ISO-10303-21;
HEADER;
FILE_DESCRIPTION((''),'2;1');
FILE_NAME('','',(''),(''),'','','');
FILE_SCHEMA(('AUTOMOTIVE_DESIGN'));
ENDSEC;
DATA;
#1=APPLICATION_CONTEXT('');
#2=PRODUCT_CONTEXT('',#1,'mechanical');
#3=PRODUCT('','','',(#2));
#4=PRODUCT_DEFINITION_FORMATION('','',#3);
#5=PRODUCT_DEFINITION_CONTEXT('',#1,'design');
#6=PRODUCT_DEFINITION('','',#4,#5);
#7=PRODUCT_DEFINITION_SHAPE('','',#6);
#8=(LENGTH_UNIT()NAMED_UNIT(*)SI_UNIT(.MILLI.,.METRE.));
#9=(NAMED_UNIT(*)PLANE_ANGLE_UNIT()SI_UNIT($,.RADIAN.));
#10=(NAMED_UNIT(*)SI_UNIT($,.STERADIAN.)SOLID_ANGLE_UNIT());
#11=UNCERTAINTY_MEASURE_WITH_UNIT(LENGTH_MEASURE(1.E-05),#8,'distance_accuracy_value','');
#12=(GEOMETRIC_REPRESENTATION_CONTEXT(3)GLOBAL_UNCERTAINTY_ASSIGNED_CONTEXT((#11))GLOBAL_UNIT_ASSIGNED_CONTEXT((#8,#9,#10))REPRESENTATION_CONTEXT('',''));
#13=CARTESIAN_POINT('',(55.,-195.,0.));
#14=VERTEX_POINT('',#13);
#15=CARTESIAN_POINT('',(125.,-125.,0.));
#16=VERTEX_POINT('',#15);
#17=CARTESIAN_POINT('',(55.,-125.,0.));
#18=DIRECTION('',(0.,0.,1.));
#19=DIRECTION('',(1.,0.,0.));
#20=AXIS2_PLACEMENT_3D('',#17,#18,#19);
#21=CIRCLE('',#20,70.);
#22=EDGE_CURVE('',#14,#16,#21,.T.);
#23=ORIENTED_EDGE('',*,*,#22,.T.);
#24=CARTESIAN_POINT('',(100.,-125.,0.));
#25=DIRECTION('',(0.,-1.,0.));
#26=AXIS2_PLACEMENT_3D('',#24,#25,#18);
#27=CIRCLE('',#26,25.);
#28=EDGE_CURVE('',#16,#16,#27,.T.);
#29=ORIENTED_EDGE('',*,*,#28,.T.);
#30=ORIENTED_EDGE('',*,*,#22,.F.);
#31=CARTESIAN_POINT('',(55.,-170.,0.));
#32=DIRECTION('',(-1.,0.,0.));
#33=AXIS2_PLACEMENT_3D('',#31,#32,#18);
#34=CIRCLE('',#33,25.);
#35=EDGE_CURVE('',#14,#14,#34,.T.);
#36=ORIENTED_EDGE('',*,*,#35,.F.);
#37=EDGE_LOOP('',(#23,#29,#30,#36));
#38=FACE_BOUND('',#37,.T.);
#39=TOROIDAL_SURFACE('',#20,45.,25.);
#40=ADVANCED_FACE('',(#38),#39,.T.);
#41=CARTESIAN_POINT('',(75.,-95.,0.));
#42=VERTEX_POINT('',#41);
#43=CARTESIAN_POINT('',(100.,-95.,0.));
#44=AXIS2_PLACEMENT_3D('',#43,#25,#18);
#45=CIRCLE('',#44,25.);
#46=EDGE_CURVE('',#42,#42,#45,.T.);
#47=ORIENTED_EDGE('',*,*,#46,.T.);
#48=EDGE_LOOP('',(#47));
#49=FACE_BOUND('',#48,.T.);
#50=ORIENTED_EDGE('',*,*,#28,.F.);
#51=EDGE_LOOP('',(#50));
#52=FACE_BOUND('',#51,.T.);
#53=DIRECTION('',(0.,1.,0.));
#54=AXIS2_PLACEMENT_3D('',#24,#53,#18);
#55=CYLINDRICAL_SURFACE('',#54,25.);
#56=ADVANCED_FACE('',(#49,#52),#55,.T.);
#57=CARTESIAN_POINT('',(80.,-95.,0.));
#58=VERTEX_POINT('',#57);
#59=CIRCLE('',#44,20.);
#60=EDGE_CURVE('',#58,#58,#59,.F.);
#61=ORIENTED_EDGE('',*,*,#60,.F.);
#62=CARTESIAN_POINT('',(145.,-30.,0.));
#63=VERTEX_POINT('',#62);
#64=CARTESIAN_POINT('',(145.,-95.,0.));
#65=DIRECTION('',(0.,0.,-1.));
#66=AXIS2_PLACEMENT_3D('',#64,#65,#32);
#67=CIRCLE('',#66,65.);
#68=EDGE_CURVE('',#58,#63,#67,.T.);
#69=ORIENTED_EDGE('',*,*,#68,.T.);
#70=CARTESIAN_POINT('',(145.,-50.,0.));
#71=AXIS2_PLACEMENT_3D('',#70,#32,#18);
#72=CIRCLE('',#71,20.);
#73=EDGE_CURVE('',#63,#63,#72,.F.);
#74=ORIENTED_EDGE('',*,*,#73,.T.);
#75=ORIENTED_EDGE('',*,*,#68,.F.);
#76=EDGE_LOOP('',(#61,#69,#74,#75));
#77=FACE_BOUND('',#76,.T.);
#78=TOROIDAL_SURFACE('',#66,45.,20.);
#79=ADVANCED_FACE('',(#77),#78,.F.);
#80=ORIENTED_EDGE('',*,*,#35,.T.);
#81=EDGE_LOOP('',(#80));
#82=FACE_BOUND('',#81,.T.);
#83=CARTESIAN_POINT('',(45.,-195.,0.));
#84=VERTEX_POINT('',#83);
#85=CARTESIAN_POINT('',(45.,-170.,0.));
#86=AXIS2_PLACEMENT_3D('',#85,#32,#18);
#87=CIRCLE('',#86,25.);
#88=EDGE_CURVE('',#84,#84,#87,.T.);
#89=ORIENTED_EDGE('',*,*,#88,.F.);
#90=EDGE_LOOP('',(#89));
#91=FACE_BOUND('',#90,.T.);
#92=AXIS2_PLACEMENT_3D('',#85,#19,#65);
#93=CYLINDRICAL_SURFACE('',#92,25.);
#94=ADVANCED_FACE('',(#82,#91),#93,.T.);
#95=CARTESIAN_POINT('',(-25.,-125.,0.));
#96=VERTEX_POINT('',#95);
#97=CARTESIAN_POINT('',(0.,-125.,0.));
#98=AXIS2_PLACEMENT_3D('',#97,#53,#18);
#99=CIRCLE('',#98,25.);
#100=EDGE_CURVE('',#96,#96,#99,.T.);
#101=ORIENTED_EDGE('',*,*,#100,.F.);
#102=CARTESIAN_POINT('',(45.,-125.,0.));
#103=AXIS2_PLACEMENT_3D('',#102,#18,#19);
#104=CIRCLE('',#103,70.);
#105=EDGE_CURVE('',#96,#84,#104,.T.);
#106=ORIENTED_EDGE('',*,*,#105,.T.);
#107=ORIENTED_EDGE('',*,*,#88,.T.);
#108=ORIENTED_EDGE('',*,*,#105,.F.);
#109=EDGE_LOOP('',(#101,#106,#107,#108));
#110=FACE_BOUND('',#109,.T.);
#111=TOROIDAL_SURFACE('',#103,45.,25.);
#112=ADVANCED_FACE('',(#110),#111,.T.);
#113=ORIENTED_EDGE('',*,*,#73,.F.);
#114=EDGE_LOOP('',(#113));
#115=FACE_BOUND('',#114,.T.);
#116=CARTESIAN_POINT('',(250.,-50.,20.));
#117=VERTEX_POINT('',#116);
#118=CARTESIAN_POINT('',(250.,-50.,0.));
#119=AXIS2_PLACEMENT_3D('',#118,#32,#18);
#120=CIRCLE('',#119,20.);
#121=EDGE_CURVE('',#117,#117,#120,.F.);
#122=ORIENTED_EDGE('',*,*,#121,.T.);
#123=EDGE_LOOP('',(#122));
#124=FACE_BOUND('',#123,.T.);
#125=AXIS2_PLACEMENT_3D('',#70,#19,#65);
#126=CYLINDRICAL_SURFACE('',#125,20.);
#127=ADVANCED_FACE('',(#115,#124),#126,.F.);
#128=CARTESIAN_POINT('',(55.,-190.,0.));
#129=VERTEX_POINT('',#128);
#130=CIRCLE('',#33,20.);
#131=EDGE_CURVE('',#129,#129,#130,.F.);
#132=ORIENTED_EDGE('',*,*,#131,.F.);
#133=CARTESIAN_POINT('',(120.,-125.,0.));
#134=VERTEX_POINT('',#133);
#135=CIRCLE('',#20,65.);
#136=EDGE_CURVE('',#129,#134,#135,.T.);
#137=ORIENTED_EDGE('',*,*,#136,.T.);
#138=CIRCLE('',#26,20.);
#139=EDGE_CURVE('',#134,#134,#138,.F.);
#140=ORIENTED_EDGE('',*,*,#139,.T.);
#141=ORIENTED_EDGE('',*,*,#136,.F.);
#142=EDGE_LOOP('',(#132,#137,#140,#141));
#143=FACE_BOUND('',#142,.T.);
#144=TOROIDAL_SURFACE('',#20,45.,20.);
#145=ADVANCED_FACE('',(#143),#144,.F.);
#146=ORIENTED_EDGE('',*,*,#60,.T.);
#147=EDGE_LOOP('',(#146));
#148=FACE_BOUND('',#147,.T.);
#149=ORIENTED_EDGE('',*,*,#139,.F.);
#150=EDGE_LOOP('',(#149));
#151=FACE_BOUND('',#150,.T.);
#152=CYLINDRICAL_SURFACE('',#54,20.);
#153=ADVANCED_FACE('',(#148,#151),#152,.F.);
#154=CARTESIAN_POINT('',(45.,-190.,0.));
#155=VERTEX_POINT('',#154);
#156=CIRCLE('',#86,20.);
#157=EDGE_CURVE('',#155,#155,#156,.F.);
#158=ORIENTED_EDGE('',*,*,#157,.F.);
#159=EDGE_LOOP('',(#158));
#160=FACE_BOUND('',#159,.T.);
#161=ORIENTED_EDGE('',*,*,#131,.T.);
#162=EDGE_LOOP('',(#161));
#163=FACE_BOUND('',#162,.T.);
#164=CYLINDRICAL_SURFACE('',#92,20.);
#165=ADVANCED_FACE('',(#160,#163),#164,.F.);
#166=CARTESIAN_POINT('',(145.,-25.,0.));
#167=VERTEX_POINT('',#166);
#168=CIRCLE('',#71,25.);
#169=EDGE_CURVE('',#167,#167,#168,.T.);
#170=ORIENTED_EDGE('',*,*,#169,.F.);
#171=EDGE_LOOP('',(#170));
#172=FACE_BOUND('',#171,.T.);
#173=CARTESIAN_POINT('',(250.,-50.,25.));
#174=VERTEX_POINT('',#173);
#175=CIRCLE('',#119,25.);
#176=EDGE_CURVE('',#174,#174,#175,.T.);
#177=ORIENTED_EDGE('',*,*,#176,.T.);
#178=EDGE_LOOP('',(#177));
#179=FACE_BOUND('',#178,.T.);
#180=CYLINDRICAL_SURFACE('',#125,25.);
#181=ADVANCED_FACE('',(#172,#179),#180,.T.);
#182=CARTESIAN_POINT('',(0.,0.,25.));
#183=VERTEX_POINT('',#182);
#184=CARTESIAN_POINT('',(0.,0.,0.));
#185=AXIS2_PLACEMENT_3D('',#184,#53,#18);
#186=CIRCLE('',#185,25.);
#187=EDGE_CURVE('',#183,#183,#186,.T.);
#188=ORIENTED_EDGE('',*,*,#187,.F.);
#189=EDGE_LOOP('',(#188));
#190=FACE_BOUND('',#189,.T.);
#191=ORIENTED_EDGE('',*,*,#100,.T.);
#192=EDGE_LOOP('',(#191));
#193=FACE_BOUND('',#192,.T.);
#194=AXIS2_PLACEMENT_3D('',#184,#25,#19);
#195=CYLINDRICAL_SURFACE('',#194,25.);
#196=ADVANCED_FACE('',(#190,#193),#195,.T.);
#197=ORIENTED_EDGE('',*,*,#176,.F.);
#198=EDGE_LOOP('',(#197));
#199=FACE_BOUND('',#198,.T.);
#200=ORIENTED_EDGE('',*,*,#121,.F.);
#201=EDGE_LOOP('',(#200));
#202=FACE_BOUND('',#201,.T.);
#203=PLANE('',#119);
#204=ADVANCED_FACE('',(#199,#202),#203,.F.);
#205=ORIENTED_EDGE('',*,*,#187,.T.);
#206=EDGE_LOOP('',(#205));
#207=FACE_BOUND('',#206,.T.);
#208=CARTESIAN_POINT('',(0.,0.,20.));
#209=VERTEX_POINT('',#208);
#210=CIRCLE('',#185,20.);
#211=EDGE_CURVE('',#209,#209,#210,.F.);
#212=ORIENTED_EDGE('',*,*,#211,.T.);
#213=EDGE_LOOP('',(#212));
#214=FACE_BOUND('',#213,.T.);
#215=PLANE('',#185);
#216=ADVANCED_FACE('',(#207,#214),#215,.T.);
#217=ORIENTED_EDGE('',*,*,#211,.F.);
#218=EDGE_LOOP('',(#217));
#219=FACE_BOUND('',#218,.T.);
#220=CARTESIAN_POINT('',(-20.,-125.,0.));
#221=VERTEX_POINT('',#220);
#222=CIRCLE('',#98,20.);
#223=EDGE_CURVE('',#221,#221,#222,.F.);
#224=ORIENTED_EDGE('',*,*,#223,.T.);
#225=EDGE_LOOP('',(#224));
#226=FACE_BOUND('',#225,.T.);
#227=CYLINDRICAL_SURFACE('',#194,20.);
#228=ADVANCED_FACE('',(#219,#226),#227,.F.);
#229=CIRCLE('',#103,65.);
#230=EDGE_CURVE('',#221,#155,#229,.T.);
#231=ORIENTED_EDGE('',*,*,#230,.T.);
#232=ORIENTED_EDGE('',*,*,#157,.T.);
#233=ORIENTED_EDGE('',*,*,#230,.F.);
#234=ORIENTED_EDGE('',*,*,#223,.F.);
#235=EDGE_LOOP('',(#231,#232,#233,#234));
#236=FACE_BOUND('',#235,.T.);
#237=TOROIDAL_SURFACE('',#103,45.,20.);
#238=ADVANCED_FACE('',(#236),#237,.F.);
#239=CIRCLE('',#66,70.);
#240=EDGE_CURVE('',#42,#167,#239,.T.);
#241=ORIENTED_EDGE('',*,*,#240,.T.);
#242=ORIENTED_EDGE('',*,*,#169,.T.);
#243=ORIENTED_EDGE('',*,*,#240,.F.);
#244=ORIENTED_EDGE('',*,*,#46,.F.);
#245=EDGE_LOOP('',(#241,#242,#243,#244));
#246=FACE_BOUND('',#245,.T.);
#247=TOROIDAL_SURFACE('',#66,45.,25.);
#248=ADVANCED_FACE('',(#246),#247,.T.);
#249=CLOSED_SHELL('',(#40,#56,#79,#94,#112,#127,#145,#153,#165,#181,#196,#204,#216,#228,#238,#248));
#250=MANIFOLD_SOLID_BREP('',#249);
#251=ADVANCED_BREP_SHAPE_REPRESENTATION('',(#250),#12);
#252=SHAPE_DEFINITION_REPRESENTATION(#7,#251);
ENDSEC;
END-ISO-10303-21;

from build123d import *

# Parameters (mm, degrees)
CROQUIS3_R   = 25
CROQUIS3_R_2 = 20


with BuildPart() as part:
    # Barrer1: sweep along a path in Croquis2
    with BuildLine(Plane.XY) as barrer1_path:
        Line((0, 0), (0, -125))
        ThreePointArc((0, -125), (13.180194847, -156.819805153), (45, -170))
        Line((45, -170), (55, -170))
        ThreePointArc((55, -170), (86.819805153, -156.819805153), (100, -125))
        Line((100, -125), (100, -95))
        ThreePointArc((100, -95), (113.180194847, -63.180194847), (145, -50))
        Line((145, -50), (250, -50))
    # Croquis3 → Barrer1 (sweep)
    with BuildSketch(Plane(origin=(0, 0, 0), x_dir=(1, 0, 0), z_dir=(0, 1, 0))):
        Circle(CROQUIS3_R)
        Circle(CROQUIS3_R_2, mode=Mode.SUBTRACT)
    sweep(path=barrer1_path.line)


solid = part.part
